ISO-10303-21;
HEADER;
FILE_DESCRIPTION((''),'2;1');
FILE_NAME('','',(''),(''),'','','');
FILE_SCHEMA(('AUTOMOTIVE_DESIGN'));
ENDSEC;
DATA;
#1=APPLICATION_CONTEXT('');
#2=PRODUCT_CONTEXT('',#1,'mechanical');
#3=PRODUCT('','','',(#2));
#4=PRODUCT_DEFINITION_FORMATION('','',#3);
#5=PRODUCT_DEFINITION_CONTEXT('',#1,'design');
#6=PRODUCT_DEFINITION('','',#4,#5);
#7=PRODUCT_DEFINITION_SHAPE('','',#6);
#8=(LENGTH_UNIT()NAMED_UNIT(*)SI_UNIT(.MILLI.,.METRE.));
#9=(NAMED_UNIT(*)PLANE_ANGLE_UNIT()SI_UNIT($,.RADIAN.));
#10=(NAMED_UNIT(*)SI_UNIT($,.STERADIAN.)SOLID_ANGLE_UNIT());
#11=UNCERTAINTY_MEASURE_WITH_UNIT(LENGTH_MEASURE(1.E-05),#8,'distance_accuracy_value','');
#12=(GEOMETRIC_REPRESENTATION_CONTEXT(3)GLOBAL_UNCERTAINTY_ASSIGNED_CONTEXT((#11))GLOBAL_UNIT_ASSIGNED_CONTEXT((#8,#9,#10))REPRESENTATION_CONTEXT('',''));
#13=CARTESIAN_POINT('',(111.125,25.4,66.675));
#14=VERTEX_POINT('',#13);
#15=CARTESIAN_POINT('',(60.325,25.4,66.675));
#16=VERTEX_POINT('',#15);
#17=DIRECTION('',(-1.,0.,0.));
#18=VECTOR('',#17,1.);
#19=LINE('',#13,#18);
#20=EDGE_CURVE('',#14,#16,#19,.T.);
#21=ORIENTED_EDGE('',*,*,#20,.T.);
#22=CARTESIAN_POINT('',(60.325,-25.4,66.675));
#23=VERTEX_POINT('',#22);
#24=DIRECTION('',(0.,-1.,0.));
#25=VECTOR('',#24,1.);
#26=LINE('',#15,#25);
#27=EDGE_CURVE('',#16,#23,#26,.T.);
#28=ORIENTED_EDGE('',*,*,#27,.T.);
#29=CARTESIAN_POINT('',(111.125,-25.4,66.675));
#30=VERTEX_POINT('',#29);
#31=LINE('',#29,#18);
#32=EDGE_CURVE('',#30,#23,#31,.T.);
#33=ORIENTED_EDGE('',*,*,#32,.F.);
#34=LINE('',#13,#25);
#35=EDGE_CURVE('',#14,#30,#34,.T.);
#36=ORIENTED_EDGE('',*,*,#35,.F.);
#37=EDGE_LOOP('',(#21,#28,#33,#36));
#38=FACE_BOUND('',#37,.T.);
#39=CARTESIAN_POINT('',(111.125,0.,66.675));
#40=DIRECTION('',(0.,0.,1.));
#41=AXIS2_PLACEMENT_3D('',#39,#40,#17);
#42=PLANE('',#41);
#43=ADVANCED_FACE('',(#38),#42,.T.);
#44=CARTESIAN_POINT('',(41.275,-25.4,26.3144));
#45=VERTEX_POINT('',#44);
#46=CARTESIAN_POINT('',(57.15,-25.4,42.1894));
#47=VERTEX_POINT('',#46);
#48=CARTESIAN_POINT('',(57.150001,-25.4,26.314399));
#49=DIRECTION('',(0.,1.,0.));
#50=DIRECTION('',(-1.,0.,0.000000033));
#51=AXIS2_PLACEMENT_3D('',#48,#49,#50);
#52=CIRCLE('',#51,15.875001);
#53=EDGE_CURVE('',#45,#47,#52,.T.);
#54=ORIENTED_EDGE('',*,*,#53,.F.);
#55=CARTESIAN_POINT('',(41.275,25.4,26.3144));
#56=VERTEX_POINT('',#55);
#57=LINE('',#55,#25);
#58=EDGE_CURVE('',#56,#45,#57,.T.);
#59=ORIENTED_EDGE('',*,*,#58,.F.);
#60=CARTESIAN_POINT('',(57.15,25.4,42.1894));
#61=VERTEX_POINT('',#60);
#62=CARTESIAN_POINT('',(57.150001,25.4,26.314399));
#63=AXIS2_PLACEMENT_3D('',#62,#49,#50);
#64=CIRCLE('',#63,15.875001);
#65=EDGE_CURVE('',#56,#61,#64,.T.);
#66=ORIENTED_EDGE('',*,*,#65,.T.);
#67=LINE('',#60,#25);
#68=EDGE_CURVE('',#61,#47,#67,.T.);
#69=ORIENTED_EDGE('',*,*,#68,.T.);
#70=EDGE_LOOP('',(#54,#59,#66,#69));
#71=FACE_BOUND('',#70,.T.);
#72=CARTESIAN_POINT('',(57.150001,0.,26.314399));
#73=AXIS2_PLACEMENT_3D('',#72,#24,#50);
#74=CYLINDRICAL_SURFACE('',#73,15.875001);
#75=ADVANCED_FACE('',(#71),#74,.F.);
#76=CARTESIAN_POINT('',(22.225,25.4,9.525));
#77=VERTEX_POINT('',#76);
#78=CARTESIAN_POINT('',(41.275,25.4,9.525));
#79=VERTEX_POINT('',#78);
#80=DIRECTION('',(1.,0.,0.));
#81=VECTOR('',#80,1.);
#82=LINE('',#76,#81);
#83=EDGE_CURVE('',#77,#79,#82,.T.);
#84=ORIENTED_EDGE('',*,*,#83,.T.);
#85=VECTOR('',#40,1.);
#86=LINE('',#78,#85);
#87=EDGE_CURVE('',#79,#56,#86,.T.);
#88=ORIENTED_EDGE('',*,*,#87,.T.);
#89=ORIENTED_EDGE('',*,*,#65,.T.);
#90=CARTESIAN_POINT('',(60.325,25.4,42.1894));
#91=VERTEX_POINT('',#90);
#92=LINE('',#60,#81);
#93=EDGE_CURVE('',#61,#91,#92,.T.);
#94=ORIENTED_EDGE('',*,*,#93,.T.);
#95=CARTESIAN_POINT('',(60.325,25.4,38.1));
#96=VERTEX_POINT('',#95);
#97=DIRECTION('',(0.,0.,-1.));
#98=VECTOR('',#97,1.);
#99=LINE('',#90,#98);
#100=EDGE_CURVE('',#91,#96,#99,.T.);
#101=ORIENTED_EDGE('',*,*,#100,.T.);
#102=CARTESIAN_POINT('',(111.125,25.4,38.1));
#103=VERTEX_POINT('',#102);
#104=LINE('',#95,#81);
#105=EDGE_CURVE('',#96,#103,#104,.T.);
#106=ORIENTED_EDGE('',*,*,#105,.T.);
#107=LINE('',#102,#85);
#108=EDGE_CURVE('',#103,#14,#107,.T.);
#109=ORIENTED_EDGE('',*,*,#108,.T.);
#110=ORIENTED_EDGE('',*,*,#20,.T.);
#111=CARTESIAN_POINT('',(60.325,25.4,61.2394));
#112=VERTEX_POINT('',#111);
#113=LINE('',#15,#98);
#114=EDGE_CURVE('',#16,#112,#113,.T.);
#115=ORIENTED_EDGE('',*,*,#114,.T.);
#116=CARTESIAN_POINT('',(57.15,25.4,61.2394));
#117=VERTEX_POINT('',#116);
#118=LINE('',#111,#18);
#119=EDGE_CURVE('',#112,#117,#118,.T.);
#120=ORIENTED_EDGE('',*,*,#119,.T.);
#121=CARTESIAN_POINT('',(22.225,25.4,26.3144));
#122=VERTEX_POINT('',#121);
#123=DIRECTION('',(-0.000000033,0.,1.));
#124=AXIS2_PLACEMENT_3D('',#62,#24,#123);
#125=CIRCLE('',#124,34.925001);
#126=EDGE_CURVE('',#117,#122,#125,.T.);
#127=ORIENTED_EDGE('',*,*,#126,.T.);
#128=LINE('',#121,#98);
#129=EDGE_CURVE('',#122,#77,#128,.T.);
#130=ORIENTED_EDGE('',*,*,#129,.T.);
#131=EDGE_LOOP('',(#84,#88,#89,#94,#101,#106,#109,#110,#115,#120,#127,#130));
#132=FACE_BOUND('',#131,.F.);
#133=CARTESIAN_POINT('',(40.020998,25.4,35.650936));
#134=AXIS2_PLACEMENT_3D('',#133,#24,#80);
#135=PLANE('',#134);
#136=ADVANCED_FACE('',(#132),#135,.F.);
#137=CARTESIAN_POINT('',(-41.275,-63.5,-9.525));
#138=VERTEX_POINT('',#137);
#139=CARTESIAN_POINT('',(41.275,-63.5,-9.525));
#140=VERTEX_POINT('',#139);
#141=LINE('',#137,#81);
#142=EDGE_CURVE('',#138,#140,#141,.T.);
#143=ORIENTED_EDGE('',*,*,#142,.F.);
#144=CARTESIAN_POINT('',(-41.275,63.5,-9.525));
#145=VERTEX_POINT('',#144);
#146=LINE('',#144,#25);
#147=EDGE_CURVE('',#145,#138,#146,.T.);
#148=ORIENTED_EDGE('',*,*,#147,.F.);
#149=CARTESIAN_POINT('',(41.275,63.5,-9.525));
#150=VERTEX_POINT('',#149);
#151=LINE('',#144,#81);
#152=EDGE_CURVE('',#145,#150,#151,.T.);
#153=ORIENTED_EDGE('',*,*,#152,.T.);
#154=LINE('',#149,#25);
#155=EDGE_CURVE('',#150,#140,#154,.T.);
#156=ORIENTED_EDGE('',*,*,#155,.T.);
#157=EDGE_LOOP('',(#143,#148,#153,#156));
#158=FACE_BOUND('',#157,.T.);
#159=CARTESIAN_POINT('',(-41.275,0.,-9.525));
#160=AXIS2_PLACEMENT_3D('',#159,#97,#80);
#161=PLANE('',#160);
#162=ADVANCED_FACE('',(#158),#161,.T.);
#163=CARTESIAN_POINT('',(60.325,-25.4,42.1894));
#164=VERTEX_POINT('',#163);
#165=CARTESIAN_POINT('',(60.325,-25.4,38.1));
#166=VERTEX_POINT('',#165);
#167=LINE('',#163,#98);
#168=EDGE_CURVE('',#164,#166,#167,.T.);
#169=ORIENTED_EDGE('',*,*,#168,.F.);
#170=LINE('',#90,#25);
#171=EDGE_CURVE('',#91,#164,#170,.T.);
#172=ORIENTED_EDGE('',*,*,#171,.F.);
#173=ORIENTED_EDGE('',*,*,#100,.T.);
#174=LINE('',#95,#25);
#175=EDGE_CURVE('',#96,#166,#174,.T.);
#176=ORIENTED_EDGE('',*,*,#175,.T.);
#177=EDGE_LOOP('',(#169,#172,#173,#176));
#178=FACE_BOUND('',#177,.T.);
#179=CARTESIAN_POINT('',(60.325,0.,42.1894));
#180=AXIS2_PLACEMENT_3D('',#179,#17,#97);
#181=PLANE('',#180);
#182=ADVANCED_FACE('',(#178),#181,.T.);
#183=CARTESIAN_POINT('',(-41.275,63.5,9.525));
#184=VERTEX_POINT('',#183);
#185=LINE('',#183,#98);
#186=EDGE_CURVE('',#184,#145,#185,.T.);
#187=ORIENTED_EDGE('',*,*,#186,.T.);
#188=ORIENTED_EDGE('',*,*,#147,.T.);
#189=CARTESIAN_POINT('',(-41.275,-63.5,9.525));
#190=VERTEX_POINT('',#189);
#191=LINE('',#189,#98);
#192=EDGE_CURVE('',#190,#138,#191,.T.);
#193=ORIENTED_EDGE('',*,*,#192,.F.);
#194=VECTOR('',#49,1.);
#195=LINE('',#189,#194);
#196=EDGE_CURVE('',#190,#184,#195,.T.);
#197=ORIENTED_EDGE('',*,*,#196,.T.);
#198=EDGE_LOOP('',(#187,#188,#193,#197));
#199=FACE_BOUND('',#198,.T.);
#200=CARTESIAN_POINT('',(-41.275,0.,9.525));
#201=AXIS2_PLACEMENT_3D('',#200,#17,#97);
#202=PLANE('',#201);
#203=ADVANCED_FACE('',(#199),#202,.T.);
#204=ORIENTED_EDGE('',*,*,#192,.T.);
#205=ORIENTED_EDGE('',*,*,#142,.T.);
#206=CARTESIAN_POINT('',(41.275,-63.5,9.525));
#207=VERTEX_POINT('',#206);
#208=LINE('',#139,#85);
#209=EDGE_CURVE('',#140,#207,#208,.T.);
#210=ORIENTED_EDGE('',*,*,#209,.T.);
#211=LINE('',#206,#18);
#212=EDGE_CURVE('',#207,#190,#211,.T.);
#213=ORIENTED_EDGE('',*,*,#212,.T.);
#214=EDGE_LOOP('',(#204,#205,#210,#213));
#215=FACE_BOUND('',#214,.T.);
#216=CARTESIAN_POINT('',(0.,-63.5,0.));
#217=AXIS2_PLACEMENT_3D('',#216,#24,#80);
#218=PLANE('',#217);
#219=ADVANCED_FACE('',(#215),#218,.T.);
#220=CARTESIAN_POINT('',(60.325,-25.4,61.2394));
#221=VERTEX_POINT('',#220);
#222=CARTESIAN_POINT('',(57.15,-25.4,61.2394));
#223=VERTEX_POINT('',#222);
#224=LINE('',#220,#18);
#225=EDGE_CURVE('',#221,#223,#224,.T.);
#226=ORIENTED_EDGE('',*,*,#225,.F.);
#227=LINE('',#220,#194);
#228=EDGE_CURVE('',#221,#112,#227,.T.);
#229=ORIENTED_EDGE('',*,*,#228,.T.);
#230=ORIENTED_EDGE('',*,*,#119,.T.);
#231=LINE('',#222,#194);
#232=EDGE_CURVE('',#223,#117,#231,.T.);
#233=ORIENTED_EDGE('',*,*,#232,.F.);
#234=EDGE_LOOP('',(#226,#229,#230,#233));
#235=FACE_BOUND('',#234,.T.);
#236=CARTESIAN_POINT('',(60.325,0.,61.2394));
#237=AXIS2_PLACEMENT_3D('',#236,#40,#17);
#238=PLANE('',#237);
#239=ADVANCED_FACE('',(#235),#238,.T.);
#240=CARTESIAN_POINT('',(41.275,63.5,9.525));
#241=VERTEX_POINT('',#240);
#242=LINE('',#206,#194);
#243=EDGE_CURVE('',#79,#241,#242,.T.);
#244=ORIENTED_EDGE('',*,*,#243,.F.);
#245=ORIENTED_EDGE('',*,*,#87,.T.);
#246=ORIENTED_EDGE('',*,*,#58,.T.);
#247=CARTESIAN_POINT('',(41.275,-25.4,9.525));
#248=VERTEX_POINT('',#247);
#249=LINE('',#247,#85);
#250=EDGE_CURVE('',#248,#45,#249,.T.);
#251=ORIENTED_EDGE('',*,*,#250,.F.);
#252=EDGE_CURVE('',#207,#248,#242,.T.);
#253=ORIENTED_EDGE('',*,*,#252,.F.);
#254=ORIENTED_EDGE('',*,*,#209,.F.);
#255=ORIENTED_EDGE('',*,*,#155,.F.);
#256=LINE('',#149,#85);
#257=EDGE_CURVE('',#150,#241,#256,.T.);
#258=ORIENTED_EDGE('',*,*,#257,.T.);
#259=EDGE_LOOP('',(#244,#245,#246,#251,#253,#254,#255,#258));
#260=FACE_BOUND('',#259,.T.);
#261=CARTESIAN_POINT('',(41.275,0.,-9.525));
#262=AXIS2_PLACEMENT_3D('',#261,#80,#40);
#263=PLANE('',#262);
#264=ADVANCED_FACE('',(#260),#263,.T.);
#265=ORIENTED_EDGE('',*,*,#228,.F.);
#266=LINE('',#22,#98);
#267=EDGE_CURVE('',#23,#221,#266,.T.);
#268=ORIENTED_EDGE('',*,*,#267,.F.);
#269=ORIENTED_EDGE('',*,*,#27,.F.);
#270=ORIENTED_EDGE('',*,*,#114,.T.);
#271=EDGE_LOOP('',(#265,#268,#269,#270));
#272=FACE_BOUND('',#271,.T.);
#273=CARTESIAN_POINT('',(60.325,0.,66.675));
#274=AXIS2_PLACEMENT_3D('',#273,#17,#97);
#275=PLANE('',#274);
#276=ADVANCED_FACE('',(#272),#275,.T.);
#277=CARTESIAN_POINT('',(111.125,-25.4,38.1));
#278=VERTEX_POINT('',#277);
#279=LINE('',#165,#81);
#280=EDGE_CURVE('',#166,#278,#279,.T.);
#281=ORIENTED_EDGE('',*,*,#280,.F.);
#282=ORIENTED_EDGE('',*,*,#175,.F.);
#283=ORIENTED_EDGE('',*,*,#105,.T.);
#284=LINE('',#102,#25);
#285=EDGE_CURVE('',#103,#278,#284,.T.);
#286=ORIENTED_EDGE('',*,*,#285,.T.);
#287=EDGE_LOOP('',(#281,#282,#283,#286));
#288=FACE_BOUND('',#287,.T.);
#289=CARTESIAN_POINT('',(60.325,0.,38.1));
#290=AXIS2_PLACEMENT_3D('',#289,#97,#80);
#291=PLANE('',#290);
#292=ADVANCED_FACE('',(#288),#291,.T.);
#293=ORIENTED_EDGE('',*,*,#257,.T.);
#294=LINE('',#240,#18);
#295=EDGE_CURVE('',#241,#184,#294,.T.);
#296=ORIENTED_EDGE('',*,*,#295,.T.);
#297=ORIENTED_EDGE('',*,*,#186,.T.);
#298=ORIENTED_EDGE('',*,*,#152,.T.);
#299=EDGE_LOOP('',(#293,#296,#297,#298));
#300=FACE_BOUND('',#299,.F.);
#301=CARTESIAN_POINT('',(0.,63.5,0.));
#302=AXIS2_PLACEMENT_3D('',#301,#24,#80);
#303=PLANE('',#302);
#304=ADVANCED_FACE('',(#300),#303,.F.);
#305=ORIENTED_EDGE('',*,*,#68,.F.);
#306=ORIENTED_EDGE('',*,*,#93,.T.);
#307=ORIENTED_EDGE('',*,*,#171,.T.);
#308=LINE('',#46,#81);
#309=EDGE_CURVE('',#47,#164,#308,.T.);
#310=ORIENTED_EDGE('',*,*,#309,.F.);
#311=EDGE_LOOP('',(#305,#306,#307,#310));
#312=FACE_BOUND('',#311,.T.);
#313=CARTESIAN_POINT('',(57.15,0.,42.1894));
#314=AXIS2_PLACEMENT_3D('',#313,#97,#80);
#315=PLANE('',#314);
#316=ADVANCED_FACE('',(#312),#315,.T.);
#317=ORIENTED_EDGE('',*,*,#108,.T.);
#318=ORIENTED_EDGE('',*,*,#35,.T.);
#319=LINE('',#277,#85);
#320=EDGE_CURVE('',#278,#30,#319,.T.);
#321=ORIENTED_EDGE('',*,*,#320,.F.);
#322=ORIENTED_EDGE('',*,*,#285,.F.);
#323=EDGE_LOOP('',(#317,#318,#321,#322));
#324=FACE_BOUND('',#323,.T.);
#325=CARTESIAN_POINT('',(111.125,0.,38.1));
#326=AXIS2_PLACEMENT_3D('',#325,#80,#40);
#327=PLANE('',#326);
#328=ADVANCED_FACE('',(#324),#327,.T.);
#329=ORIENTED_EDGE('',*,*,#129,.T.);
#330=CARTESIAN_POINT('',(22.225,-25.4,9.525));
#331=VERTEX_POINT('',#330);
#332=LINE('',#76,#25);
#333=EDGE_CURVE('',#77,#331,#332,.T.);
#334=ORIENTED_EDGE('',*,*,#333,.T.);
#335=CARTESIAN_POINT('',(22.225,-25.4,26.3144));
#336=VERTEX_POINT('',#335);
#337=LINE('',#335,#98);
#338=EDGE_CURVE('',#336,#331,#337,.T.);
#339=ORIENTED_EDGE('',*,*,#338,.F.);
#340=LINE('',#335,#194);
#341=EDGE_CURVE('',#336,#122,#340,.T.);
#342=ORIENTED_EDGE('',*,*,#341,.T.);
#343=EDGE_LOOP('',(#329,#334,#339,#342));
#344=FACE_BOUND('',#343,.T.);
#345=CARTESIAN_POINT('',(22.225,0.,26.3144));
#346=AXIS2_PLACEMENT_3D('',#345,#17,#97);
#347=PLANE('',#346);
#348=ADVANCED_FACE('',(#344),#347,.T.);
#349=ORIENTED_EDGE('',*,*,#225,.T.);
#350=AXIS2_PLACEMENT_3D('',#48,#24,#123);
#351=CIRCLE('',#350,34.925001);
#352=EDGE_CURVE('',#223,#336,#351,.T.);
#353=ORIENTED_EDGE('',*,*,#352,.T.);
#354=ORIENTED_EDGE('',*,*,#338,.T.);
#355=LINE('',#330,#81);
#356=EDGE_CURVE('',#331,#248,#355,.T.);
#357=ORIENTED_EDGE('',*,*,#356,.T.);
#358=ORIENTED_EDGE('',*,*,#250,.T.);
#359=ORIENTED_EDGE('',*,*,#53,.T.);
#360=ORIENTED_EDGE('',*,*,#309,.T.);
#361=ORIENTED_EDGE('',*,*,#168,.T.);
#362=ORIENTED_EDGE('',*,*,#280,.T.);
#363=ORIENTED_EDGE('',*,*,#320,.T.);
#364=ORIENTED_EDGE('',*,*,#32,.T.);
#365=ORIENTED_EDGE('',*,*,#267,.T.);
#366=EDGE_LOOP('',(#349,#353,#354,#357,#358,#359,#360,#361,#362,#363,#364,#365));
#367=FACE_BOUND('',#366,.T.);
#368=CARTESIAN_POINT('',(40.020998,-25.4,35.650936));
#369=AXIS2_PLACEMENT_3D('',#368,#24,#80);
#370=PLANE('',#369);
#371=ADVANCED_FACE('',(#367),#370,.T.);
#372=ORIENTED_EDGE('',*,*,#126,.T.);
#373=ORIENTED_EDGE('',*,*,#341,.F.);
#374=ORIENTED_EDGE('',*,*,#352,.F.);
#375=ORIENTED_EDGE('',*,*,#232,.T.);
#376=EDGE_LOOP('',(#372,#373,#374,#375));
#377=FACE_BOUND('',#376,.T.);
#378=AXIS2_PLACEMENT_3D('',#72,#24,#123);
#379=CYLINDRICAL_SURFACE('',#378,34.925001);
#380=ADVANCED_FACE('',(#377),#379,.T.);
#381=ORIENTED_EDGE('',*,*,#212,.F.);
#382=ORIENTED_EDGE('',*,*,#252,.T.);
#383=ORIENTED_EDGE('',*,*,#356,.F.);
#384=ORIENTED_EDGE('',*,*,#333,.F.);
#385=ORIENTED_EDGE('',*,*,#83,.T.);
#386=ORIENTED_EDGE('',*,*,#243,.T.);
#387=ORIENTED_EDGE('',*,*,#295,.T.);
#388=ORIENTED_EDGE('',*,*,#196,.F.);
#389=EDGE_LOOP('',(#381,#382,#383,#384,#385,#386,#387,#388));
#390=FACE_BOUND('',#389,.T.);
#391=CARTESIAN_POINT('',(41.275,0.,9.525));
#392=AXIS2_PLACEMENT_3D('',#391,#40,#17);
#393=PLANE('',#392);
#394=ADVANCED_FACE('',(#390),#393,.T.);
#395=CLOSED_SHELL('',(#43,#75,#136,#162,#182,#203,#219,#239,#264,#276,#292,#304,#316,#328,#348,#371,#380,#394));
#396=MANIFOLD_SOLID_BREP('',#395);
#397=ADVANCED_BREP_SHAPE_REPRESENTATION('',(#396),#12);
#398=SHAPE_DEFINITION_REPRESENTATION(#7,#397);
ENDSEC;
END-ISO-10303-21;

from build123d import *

# Parameters (mm, degrees)
F1_DEPTH = 63.5
F2_DEPTH = 25.4


with BuildPart() as f1:
    # F0 (on Front) → F1 (new body, symmetric)
    with BuildSketch(Plane.XZ):
        Polygon((22.225, 9.525), (-41.275, 9.525), (-41.275, -9.525), (41.275, -9.525), (41.275, 9.525), align=None)
    extrude(amount=F1_DEPTH, both=True)

    # F0 (on Front) → F2 (join, symmetric)
    with BuildSketch(Plane.XZ):
        with BuildLine():
            Line((22.225, 26.3144), (22.225, 9.525))
            Line((22.225, 9.525), (41.275, 9.525))
            Line((41.275, 9.525), (41.275, 26.3144))
            ThreePointArc((41.275, 26.3144), (45.92468, 37.53972), (57.15, 42.1894))
            Line((57.15, 42.1894), (60.325, 42.1894))
            Line((60.325, 42.1894), (60.325, 61.2394))
            Line((60.325, 61.2394), (57.15, 61.2394))
            ThreePointArc((57.15, 61.2394), (32.454296, 51.010104), (22.225, 26.3144))
        make_face()
        Polygon((60.325, 66.675), (60.325, 61.2394), (60.325, 42.1894), (60.325, 38.1), (111.125, 38.1), (111.125, 66.675), (85.725, 66.675), align=None)
    extrude(amount=F2_DEPTH, both=True)


solid = f1.part
